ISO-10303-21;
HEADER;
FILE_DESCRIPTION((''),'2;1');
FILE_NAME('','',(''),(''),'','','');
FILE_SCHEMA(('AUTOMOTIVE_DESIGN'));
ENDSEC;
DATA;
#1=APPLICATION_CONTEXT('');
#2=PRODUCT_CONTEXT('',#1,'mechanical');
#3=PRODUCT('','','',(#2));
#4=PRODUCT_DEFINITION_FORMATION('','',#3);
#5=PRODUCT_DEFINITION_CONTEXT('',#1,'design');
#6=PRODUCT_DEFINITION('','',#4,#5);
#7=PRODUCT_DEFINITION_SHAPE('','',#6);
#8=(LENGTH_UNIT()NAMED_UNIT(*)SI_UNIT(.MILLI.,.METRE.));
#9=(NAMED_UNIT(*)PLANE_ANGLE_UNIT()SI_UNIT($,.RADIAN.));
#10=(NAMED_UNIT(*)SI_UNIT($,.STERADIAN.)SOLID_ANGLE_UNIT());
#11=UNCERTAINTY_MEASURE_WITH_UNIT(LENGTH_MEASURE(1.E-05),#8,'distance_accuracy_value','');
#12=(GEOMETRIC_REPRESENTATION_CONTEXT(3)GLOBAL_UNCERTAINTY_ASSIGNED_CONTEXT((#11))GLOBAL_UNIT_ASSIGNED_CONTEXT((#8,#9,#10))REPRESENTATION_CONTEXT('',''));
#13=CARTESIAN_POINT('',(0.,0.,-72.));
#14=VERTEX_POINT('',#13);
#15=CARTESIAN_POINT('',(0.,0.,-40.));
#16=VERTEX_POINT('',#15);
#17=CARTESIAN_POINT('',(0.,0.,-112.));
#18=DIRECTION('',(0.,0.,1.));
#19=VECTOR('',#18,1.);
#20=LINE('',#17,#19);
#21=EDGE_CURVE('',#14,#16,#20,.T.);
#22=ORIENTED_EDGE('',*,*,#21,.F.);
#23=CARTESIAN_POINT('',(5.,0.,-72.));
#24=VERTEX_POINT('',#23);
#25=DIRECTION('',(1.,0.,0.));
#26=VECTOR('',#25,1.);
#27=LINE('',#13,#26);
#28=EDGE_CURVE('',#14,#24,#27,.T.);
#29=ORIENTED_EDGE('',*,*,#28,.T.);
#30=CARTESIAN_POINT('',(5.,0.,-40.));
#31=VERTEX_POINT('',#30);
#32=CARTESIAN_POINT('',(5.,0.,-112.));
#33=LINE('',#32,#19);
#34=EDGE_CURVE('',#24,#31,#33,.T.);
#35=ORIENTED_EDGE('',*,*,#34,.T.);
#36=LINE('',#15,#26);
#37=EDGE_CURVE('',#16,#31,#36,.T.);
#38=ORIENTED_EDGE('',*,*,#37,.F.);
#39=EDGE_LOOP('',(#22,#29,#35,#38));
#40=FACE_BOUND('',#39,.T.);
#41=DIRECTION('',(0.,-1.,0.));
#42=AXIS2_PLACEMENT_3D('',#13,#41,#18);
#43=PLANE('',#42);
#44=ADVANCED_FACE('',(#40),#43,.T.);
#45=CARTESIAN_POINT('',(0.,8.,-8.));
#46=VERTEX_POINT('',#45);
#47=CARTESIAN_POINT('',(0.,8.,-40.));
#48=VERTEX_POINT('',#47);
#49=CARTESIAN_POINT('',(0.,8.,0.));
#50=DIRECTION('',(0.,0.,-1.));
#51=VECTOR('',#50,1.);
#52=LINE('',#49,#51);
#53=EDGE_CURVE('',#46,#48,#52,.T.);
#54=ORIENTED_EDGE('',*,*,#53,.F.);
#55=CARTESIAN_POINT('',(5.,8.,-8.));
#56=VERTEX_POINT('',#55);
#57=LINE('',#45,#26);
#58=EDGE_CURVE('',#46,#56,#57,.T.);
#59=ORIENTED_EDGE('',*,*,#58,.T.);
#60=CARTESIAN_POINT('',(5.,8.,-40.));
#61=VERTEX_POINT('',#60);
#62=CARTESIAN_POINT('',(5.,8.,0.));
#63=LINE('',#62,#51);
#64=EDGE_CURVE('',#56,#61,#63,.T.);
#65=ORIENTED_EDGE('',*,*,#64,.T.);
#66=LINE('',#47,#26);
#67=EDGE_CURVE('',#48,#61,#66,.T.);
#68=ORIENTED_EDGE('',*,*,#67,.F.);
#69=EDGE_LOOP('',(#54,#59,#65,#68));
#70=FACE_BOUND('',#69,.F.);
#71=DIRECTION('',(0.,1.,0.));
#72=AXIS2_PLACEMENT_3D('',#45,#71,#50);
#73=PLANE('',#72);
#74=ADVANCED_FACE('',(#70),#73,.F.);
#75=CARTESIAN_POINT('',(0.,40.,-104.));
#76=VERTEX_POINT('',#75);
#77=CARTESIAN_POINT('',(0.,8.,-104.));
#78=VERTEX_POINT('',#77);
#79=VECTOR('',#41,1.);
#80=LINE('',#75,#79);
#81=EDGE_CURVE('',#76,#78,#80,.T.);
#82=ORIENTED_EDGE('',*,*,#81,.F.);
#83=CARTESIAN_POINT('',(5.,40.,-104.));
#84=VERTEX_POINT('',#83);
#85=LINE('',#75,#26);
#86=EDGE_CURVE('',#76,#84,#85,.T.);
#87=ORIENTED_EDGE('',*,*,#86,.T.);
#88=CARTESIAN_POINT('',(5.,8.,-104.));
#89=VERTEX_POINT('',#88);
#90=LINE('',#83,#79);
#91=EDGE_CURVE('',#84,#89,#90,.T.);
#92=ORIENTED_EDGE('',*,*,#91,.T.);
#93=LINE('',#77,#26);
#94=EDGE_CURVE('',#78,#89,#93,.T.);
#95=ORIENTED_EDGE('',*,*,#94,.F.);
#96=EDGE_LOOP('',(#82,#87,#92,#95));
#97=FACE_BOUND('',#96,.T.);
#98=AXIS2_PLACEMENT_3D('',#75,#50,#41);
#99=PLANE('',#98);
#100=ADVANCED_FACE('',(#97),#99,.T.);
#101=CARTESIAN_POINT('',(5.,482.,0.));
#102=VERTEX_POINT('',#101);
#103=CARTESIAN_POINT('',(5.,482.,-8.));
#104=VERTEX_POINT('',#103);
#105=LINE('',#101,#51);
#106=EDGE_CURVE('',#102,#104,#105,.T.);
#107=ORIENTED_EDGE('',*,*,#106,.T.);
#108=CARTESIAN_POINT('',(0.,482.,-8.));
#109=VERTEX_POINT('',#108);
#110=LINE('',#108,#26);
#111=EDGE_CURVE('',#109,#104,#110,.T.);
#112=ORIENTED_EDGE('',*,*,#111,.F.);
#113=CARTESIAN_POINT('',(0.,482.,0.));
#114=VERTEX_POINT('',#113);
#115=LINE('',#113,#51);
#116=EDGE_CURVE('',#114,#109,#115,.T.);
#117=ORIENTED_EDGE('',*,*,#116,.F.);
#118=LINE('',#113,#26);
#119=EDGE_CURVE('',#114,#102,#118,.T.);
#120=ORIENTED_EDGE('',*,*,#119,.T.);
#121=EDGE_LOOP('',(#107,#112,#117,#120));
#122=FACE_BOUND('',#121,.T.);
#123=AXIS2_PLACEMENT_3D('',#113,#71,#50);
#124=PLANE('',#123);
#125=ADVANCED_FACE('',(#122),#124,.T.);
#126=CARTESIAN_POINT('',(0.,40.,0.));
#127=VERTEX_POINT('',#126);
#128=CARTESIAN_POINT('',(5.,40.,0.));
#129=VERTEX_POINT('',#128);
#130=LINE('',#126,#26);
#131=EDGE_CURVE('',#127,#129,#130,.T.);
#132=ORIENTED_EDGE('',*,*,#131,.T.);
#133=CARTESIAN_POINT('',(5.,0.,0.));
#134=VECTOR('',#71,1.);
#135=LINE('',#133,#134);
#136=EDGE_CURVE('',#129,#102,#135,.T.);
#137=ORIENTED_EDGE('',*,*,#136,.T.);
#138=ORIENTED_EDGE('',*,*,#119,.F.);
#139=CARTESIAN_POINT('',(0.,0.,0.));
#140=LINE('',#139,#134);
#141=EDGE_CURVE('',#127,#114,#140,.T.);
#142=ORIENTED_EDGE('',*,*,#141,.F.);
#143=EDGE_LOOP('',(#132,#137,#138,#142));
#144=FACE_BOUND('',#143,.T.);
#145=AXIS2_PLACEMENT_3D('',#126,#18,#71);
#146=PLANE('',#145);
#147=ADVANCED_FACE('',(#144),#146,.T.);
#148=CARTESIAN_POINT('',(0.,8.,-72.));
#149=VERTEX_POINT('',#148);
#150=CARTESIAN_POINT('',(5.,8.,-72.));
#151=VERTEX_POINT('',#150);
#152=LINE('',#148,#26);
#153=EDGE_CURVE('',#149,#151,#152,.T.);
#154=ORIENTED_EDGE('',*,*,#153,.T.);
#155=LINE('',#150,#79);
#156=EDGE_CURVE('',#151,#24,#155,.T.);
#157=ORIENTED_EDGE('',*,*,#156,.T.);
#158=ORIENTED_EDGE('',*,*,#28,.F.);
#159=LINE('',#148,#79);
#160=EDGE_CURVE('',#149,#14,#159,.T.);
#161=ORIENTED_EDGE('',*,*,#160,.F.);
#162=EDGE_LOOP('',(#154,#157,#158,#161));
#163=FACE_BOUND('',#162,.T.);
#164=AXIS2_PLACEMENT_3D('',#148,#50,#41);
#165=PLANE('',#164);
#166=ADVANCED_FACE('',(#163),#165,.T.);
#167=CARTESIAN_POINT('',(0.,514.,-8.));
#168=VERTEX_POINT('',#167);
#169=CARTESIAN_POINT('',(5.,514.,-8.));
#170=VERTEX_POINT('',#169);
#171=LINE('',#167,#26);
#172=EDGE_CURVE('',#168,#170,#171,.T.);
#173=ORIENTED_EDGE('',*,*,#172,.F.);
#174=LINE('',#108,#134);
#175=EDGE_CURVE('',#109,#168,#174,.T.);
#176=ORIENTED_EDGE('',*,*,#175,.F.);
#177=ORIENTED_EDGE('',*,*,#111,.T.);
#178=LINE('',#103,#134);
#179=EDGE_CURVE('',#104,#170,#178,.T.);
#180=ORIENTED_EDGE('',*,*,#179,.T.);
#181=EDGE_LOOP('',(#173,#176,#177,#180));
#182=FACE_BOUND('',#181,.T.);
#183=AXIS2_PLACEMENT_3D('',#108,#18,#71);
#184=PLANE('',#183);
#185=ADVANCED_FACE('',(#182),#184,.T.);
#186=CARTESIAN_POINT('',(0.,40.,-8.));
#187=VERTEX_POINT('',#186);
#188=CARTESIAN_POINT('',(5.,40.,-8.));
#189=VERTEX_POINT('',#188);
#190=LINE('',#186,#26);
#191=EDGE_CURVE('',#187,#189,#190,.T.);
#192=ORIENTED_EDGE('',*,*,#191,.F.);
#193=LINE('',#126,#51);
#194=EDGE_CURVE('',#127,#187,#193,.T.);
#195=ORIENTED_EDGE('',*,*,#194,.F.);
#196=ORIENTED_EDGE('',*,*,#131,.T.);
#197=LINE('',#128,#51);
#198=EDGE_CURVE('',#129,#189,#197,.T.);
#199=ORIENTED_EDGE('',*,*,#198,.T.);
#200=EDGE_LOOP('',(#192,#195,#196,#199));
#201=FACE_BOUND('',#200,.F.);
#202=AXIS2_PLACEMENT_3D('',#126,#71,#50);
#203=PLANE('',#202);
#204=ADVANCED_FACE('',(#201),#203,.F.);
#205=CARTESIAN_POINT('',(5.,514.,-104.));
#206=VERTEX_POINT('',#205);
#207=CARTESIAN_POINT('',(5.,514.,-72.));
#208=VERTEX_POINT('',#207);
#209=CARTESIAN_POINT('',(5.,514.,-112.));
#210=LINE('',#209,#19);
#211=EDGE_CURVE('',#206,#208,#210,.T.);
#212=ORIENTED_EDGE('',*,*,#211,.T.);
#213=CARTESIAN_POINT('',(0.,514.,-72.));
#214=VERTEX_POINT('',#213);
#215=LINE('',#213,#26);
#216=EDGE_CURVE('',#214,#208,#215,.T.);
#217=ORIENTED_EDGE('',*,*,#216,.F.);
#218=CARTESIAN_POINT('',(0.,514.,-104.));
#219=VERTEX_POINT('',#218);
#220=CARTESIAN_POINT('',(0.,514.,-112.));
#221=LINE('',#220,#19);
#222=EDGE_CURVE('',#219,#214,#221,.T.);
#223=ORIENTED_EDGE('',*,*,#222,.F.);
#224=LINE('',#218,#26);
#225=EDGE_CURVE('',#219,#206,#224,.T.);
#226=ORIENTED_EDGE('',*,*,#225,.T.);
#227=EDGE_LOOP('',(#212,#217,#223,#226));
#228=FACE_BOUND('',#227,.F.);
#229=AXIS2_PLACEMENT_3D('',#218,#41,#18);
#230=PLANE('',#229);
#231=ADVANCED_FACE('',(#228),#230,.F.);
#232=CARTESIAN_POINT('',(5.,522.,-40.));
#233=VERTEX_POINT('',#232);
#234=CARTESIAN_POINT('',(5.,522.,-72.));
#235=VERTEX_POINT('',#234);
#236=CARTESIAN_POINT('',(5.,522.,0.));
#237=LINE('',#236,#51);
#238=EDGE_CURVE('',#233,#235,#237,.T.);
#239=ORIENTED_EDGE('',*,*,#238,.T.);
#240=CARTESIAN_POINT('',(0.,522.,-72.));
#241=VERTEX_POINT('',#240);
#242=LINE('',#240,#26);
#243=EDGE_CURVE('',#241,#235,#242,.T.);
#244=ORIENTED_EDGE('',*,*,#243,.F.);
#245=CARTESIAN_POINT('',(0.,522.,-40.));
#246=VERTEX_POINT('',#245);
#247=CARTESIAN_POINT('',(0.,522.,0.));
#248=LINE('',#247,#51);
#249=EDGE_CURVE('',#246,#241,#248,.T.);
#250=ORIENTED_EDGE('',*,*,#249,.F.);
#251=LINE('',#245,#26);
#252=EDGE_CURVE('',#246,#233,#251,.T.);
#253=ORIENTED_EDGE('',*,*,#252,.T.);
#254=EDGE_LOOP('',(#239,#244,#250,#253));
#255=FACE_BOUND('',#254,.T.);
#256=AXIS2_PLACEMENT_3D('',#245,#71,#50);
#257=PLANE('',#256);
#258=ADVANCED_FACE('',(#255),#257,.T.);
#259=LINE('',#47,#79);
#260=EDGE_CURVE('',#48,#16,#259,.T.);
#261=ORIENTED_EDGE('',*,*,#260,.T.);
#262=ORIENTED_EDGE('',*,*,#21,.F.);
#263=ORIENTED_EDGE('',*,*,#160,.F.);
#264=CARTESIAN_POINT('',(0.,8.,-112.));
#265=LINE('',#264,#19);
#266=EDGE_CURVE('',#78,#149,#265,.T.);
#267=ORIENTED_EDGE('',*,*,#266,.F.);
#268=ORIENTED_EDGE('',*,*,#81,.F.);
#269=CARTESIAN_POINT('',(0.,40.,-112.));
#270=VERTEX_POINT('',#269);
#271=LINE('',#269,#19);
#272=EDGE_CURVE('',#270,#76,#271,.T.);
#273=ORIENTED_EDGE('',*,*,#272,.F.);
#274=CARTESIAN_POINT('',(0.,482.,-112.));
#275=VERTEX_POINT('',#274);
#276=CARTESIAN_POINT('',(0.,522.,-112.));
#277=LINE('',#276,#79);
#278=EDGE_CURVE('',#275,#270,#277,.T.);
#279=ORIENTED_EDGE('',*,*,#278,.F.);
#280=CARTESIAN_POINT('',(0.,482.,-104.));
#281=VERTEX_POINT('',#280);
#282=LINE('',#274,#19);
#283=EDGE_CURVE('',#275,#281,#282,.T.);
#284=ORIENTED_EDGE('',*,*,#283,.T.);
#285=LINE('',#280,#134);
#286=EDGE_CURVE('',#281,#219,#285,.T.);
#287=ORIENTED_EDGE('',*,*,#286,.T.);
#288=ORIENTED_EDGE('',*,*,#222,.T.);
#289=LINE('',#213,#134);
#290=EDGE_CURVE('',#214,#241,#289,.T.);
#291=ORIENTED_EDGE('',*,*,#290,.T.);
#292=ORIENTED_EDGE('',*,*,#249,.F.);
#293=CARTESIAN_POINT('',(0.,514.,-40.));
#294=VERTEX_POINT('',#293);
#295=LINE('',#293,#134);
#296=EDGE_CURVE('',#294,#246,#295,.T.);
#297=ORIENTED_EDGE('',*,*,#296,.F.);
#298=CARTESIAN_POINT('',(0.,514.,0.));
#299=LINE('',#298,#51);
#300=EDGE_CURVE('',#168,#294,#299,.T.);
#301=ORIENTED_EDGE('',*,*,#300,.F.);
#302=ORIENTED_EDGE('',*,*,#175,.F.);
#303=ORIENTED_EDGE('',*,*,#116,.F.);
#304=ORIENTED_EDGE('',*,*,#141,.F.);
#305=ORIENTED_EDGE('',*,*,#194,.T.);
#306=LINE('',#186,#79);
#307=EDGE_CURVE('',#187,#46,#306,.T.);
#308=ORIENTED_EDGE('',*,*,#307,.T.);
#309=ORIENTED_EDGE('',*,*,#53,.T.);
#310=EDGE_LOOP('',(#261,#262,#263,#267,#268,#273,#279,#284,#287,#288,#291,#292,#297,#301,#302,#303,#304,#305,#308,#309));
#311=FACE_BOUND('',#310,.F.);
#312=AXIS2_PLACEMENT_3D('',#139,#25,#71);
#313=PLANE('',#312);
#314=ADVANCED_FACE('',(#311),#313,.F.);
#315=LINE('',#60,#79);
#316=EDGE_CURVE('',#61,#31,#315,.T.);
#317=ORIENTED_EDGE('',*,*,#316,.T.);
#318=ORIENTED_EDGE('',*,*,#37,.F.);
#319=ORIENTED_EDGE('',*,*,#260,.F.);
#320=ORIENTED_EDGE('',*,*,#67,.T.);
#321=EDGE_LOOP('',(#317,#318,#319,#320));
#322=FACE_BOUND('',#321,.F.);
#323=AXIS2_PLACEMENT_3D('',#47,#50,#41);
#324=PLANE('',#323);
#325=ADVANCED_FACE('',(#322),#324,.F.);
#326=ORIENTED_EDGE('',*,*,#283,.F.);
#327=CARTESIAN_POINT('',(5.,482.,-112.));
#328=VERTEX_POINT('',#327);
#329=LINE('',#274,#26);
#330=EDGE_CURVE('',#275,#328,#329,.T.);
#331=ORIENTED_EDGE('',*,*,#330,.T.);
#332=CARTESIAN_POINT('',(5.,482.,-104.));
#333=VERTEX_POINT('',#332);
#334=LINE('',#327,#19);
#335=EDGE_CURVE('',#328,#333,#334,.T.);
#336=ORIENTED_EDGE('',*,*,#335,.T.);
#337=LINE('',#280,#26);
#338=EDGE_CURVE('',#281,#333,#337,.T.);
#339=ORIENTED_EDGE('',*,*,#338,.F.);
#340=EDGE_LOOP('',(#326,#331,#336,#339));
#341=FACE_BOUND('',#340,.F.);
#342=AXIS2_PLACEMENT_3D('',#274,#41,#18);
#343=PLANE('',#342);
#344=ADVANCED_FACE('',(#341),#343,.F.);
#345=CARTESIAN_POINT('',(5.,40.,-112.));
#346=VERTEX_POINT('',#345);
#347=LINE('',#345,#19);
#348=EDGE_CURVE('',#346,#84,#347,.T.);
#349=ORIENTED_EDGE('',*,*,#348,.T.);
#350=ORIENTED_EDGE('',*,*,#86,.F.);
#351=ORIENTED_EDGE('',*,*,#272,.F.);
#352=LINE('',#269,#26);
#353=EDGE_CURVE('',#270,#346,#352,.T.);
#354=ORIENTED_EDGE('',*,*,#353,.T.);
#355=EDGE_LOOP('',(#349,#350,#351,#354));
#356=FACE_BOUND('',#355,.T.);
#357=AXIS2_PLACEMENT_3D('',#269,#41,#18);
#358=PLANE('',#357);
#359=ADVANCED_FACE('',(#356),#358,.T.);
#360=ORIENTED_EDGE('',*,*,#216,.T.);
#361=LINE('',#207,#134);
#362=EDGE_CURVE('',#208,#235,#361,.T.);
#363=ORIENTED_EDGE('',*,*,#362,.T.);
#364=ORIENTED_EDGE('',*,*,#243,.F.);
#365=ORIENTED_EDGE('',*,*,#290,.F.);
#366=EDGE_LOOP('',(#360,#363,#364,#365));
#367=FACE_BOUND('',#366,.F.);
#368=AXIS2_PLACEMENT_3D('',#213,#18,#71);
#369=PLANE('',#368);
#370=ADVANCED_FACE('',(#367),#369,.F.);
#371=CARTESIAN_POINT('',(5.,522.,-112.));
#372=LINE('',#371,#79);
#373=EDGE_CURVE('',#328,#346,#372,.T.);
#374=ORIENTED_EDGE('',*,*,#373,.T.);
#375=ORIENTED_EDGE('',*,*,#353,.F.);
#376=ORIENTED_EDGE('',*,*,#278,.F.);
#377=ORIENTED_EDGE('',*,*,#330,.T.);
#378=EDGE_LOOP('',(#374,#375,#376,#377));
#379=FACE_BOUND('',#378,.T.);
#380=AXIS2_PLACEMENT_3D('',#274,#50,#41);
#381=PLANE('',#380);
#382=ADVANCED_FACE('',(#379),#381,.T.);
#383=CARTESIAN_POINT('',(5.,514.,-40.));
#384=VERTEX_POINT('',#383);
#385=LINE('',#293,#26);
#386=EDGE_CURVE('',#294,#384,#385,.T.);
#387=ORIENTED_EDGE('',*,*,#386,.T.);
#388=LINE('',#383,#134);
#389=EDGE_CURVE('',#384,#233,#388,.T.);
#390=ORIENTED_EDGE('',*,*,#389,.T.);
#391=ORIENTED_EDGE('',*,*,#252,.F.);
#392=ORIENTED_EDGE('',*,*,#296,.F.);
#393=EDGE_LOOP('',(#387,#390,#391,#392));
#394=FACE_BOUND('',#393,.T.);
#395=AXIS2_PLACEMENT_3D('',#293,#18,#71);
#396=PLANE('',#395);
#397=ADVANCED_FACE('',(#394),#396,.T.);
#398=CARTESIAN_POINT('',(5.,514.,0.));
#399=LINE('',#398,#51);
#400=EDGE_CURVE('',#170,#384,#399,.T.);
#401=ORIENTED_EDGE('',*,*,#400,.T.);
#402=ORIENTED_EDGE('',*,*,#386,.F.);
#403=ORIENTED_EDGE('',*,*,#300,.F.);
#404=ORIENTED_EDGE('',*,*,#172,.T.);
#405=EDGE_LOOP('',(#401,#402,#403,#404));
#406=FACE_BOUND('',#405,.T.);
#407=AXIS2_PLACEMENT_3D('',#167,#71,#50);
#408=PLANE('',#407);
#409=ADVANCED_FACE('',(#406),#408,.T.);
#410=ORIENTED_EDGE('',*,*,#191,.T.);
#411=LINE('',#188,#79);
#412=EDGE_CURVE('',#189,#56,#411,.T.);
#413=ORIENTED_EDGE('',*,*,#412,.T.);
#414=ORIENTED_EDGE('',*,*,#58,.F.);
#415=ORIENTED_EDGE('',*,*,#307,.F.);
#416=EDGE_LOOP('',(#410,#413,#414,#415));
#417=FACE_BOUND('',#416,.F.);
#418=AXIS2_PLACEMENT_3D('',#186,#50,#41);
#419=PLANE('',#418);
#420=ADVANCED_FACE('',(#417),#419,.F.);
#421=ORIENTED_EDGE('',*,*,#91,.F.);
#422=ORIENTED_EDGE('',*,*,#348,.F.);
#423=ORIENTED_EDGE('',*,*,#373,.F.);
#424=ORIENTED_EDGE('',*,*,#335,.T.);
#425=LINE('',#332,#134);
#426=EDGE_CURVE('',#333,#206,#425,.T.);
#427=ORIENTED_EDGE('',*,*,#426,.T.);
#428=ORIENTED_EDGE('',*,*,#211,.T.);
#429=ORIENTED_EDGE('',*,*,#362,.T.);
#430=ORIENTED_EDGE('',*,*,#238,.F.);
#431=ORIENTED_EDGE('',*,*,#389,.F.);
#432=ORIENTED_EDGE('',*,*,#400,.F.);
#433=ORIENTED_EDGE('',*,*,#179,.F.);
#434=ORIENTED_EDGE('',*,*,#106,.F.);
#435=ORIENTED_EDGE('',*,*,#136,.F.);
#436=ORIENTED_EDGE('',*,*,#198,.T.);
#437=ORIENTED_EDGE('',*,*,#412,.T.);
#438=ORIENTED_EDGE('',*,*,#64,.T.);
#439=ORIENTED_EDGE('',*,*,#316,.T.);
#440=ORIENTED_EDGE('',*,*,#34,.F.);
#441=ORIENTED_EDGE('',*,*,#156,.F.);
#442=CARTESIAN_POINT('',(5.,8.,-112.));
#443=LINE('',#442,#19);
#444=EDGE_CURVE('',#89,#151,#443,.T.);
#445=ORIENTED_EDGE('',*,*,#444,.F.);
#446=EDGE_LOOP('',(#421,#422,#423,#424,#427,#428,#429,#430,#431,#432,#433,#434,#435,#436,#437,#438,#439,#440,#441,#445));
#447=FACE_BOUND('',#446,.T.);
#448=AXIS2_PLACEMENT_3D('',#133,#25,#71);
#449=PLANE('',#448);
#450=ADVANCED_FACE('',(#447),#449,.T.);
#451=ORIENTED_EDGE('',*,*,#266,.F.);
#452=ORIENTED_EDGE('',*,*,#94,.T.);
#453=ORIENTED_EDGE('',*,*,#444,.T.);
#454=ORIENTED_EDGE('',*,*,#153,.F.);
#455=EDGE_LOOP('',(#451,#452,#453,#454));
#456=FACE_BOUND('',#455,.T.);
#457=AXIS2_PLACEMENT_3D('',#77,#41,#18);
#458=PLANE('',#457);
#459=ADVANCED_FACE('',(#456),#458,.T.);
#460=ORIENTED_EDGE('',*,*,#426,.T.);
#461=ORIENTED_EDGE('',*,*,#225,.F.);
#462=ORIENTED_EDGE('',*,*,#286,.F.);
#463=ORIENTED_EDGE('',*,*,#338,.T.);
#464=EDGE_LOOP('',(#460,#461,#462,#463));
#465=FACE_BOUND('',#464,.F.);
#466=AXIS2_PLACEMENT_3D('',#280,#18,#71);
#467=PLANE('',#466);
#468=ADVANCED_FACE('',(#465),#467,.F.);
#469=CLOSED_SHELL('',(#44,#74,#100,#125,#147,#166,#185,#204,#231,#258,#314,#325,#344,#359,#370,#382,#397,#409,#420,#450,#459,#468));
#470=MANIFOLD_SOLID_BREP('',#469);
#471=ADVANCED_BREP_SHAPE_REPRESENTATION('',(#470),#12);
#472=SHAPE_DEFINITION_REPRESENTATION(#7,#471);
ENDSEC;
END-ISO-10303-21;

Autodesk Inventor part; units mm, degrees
ref_plane "YZ Plane" through (0, 0, 0) normal (1, 0, 0) x (0, 1, 0)
ref_plane "XZ Plane" through (0, 0, 0) normal (0, 1, 0) x (-1, 0, 0)
ref_plane "XY Plane" through (0, 0, 0) normal (0, 0, 1) x (1, 0, 0)
sketch "Sketch1" plane through (0, 0, 0) normal (1, 0, 0) x (0, 1, 0)
  line L0 (0, 0) -> (522, 0)
  line L1 (522, 0) -> (522, -112)
  line L2 (522, -112) -> (0, -112)
  line L3 (0, -112) -> (0, 0)
  line L4 (522, 0) -> (514, 0)
  line L5 (514, 0) -> (514, -40)
  line L6 (514, -40) -> (522, -40)
  line L7 (522, -40) -> (522, 0)
  line L8 (522, 0) -> (482, 0)
  line L9 (482, 0) -> (482, -8)
  line L10 (482, -8) -> (522, -8)
  line L11 (522, -8) -> (522, 0)
  line L12 (856.5319, -56) -> (-65.1606, -56) construction
  line L13 (261, 165.682) -> (261, -1074.2454) construction
  line L14 (522, -112) -> (514, -112)
  line L15 (514, -112) -> (514, -72)
  line L16 (514, -72) -> (522, -72)
  line L17 (522, -72) -> (522, -112)
  line L18 (522, -112) -> (482, -112)
  line L19 (482, -112) -> (482, -104)
  line L20 (482, -104) -> (522, -104)
  line L21 (522, -104) -> (522, -112)
  line L22 (0, 0) -> (0, -112)
  line L23 (0, 0) -> (8, 0)
  line L24 (8, 0) -> (8, -40)
  line L25 (8, -40) -> (0, -40)
  line L26 (0, -40) -> (0, 0)
  line L27 (0, 0) -> (40, 0)
  line L28 (40, 0) -> (40, -8)
  line L29 (40, -8) -> (0, -8)
  line L30 (0, -8) -> (0, 0)
  line L31 (8, -72) -> (0, -72)
  line L32 (40, -104) -> (0, -104)
  line L33 (0, -112) -> (8, -112)
  line L34 (8, -112) -> (8, -72)
  line L35 (0, -72) -> (0, -112)
  line L36 (0, -112) -> (40, -112)
  line L37 (40, -112) -> (40, -104)
  line L38 (0, -104) -> (0, -112)
  point P0 (40, -112)
  point P1 (482, -112)
  point P2 (514, -104)
  point P3 (522, -72)
  point P4 (522, -40)
  point P5 (514, -8)
  point P6 (482, 0)
  point P7 (40, 0)
  point P8 (8, -8)
  point P9 (0, -40)
  point P10 (0, -72)
  point P11 (8, -104)
  dimension "d0" = 522
  dimension "d1" = 112
  dimension "d2" = 40
  dimension "d3" = 40
  dimension "d4" = 8
  dimension "d5" = 8
  dimension "d6" = 56
  dimension "d7" = 261
extrude "Extrusion1" add sketch "Sketch1" along normal blind 5 contours L0 L9 L10 L5 L6 L1 L16 L15 L20 L19 L2 L37 L32 L34 L31 L3 L25 L24 L29 L28
equation "\"d6\" = 0.5 * d1"
equation "\"d7\" = 0.5 * d0"
properties part number "Acrly_Wand_1"
